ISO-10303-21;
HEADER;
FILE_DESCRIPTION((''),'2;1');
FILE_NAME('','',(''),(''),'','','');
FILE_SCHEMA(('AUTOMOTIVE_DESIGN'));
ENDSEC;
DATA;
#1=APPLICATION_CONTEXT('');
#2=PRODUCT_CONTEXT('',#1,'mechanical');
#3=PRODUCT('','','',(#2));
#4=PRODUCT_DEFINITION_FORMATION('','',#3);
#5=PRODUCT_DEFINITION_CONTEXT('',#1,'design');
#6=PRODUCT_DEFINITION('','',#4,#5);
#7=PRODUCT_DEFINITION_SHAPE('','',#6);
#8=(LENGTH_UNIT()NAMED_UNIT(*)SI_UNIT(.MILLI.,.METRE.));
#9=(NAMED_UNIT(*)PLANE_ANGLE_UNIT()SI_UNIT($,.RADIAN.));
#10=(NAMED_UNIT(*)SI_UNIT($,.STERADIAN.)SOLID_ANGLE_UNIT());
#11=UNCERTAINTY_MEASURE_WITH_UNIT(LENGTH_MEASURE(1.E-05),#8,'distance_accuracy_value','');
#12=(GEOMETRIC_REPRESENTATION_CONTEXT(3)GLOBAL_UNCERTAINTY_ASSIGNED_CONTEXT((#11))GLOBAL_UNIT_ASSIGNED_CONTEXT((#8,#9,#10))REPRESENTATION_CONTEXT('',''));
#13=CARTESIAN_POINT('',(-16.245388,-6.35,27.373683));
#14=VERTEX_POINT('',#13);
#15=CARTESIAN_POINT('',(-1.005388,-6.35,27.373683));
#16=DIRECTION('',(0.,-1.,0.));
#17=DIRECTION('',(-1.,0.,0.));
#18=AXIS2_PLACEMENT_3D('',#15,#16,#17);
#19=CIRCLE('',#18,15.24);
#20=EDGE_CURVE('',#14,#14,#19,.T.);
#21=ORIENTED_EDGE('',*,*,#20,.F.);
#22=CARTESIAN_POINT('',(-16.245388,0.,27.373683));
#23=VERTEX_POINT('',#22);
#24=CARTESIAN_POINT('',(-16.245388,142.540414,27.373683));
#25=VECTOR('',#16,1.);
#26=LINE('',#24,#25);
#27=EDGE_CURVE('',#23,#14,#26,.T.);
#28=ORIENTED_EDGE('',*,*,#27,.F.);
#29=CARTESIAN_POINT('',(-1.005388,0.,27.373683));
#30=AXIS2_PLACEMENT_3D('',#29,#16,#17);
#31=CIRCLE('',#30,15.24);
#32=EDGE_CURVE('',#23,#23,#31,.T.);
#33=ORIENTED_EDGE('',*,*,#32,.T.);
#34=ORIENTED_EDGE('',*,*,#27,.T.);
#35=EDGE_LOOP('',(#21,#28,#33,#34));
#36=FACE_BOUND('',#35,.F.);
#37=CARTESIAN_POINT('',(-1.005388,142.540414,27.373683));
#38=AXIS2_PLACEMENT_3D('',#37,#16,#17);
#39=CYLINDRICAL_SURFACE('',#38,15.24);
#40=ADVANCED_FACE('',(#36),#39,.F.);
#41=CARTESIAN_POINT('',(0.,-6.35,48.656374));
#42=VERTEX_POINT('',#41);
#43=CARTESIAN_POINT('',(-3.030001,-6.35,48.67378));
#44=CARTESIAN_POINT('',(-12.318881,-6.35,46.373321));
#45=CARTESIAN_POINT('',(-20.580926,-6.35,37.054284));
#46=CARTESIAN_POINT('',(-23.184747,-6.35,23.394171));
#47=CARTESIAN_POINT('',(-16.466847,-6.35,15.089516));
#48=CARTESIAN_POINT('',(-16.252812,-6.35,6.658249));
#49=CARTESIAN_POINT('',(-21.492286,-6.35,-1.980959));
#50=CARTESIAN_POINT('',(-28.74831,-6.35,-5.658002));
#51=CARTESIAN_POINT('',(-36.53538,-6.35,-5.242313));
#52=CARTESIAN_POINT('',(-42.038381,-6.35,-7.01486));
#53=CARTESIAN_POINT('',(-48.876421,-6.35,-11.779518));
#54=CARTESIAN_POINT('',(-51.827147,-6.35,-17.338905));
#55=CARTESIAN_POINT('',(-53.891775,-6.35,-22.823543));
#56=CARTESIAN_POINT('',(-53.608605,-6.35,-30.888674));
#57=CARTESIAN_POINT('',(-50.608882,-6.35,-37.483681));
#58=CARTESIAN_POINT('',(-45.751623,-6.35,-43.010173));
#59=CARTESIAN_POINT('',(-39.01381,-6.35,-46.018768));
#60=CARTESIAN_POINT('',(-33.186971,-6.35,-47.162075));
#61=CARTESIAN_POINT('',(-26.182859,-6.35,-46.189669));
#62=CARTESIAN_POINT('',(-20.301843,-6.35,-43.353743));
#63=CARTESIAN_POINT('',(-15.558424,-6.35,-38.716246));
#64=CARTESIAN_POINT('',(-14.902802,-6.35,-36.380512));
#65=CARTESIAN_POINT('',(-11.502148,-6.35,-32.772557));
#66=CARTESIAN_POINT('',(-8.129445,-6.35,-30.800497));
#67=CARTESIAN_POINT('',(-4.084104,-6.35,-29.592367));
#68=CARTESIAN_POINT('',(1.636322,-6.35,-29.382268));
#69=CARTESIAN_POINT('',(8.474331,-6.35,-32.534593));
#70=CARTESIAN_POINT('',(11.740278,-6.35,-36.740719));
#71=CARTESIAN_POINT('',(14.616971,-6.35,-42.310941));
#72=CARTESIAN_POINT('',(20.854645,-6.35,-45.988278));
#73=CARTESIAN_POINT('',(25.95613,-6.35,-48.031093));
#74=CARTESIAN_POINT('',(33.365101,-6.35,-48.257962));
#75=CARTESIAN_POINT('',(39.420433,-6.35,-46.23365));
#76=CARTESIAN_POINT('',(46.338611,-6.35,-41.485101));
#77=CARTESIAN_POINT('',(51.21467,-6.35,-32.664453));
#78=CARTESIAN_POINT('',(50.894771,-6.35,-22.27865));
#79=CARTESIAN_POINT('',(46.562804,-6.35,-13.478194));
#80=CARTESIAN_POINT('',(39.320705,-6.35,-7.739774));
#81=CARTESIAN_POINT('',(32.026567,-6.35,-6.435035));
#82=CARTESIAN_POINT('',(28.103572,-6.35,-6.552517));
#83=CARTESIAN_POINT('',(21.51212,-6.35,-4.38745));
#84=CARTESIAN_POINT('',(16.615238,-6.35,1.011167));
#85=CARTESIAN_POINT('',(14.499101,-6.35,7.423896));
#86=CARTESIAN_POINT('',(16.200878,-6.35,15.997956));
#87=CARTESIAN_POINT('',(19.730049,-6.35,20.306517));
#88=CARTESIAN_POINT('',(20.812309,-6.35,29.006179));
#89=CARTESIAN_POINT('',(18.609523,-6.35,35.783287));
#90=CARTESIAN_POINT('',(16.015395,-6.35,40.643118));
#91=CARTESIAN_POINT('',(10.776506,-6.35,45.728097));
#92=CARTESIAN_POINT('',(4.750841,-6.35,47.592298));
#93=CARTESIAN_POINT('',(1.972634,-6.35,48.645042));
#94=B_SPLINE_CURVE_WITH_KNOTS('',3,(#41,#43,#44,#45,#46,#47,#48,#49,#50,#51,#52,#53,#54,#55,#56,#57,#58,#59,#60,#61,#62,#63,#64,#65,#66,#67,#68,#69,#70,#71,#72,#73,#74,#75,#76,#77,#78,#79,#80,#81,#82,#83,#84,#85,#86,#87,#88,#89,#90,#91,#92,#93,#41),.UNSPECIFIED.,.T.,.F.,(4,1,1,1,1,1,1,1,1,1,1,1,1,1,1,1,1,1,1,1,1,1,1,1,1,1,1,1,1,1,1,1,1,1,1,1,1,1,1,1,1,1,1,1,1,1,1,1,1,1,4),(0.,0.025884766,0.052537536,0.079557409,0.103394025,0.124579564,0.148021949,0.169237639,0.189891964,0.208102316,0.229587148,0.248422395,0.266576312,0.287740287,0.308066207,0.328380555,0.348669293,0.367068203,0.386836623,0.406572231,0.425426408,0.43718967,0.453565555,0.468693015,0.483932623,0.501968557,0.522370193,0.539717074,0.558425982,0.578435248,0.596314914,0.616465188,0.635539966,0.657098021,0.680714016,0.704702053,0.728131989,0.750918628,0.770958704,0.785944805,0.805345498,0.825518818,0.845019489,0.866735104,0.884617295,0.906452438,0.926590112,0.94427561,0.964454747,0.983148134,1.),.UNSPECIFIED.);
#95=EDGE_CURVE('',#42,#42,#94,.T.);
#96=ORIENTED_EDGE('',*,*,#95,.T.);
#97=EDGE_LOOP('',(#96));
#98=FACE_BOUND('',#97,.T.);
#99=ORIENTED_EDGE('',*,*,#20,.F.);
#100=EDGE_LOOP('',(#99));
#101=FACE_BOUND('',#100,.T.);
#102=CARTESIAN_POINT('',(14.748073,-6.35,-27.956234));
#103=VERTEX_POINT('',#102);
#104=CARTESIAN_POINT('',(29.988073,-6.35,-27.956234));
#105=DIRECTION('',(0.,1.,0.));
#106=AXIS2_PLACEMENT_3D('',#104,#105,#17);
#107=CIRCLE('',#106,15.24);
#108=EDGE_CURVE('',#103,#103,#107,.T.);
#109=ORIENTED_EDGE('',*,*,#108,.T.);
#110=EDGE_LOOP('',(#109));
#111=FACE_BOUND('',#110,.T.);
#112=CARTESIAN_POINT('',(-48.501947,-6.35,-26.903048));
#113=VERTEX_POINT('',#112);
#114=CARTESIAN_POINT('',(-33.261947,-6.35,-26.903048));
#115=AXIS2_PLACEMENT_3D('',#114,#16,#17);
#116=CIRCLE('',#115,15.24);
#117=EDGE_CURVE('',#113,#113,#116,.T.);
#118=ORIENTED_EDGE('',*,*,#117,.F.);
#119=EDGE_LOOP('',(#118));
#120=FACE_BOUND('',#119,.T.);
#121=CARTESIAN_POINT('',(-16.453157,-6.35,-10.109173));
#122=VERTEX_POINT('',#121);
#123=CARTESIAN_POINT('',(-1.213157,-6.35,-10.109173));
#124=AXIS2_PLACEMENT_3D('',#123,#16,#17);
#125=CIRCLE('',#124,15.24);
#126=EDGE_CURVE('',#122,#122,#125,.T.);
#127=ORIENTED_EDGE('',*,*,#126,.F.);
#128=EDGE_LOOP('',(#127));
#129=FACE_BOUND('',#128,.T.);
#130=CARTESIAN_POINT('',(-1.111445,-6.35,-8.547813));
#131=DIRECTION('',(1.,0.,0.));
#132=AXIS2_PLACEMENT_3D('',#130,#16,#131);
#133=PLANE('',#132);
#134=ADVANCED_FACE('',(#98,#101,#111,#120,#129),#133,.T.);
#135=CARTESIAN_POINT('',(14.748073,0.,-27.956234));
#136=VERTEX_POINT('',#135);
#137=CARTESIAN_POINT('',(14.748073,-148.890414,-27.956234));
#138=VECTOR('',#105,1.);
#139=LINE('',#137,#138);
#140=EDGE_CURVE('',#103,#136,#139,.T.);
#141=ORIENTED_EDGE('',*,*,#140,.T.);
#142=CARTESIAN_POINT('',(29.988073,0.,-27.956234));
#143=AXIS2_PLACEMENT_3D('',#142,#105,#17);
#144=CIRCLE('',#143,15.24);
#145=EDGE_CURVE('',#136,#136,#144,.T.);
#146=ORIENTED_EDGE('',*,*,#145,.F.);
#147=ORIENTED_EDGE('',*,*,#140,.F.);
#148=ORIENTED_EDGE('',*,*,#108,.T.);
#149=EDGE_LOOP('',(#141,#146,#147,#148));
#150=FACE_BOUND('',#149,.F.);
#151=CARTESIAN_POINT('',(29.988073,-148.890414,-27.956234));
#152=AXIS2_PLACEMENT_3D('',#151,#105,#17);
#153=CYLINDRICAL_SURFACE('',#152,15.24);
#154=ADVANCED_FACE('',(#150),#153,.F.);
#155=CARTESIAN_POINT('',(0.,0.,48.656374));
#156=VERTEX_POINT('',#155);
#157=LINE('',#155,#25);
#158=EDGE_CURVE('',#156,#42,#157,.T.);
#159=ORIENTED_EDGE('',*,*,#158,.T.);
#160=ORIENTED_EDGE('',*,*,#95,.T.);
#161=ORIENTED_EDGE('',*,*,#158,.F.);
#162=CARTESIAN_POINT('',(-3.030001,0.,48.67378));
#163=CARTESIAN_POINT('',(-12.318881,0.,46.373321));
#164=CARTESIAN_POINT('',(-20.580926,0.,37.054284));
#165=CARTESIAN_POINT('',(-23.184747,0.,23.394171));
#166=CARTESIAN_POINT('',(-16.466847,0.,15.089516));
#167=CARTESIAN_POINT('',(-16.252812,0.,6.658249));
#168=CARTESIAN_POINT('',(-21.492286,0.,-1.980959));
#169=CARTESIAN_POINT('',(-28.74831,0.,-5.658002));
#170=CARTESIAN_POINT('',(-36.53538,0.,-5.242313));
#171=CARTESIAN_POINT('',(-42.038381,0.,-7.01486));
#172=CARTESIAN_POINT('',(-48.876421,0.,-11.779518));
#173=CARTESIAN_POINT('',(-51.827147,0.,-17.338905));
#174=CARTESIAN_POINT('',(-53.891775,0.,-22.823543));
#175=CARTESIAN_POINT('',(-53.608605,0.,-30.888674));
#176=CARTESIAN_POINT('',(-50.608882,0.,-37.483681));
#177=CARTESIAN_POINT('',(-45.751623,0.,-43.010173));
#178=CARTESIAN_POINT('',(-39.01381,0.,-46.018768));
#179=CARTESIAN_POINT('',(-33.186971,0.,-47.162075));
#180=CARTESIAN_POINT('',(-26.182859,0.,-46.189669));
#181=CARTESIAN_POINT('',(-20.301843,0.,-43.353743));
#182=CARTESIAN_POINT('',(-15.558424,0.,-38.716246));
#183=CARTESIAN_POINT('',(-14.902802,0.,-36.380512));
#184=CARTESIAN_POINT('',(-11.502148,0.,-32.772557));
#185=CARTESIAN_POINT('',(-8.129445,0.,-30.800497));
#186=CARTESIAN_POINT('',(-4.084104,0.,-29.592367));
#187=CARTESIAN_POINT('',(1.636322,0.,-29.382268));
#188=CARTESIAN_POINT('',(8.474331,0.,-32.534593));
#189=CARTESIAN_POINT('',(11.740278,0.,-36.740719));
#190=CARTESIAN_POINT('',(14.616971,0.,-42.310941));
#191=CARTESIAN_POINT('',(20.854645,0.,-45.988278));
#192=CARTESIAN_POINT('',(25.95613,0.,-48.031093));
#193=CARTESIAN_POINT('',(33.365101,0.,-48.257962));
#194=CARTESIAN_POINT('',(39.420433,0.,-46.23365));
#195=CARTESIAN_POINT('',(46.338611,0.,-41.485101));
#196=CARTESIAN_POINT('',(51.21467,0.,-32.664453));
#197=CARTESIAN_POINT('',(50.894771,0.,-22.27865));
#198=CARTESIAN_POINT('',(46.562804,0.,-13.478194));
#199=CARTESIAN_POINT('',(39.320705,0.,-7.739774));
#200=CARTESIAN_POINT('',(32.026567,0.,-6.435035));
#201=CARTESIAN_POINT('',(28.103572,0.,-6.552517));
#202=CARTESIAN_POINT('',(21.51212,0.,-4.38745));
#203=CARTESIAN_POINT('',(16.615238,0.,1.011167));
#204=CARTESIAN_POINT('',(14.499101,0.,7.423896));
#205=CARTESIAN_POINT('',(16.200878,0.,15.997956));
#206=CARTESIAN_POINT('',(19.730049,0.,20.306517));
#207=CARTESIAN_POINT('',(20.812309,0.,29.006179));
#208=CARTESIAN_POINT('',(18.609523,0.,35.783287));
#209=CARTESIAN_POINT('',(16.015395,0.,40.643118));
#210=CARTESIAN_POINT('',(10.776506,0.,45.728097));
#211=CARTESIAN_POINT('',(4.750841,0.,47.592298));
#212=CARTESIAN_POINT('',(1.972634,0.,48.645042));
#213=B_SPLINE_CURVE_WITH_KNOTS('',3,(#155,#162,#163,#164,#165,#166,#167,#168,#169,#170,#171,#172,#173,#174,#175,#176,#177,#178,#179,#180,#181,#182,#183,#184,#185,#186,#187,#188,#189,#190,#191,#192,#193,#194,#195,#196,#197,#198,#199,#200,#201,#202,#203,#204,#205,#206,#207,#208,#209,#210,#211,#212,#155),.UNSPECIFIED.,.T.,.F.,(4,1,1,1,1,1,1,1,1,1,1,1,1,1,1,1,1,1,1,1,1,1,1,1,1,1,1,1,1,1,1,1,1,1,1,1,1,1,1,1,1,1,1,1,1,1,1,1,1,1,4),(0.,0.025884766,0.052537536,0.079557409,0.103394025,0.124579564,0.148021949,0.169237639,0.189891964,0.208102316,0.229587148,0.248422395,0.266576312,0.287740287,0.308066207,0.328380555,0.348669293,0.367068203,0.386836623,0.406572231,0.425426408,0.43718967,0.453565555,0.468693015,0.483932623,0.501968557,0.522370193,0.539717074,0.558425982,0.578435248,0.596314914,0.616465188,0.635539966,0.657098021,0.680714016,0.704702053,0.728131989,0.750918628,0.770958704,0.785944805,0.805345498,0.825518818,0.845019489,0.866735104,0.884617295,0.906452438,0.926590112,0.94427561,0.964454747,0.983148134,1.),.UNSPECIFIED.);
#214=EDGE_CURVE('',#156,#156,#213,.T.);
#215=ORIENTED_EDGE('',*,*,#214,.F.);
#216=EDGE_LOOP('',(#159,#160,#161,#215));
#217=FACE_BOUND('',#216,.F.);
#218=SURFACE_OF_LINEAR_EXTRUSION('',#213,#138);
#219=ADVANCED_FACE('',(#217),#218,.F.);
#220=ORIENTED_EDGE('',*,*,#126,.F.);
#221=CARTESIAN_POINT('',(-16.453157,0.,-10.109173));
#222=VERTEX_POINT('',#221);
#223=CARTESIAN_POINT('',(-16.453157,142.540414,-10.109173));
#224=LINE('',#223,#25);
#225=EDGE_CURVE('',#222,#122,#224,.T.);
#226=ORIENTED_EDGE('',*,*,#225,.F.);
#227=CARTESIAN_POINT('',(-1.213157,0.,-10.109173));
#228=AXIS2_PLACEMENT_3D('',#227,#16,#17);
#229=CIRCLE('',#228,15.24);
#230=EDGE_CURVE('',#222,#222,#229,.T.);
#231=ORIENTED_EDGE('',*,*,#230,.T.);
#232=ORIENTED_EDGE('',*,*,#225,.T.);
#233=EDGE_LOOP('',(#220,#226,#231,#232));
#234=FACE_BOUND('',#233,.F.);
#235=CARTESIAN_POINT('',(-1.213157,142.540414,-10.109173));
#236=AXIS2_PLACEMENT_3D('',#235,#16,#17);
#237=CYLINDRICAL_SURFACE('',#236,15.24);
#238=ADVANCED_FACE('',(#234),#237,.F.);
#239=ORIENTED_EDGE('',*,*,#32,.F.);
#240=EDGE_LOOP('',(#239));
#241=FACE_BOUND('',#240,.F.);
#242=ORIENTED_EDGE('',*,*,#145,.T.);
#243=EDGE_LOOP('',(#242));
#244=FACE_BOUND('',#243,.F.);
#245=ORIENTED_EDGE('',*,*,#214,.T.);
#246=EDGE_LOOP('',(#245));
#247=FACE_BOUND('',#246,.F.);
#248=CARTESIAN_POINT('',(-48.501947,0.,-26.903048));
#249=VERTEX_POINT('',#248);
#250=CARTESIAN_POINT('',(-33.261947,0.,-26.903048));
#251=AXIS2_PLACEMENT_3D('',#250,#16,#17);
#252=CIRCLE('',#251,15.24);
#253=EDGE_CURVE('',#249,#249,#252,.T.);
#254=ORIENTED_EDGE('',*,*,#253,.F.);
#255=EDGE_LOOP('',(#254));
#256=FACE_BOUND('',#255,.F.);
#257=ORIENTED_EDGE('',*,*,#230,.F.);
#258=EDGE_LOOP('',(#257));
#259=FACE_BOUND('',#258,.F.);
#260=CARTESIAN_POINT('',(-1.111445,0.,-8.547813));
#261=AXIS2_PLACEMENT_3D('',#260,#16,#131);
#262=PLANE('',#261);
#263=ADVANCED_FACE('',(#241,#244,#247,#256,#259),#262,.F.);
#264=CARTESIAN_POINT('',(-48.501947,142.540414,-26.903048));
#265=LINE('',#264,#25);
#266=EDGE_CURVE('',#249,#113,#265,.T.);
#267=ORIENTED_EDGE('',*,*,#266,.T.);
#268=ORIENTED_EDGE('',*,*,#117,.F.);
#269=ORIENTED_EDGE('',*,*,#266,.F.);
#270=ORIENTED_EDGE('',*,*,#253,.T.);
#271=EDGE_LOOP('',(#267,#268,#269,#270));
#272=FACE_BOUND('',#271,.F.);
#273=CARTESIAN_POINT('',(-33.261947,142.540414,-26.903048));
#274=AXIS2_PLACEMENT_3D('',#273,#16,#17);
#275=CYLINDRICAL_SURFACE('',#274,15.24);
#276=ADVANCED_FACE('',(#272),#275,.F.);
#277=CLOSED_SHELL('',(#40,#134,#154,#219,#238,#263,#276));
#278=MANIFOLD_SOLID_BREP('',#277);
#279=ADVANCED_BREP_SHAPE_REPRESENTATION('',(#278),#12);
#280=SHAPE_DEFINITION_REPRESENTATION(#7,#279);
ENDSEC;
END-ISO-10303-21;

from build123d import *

# Parameters (mm, degrees)
F4_DEPTH = 6.35
F5_D     = 30.48
F7_D     = 30.48
F8_D     = 30.48
F9_D     = 30.48


with BuildPart() as f4:
    # F0 (on Front) → F4 (new body)
    with BuildSketch(Plane.XZ):
        with BuildLine():
            add(Edge.make_bspline(
                [(0, 48.6563742161), (-3.0300005443, 48.6737799362), (-12.3188805876, 46.3733212767), (-20.5809261291, 37.0542839882), (-23.1847472508, 23.3941707693), (-16.4668468609, 15.0895155778), (-16.252812468, 6.6582493126), (-21.4922861877, -1.9809594171), (-28.7483104502, -5.6580024036), (-36.5353798559, -5.2423131762), (-42.0383808362, -7.0148596827), (-48.8764206597, -11.7795177777), (-51.8271470571, -17.3389047082), (-53.8917750517, -22.8235431333), (-53.6086052548, -30.8886736223), (-50.6088819476, -37.4836811153), (-45.7516228526, -43.0101728784), (-39.0138099296, -46.0187676431), (-33.1869707307, -47.1620753843), (-26.1828594547, -46.1896689149), (-20.3018434137, -43.353743014), (-15.5584237727, -38.7162456121), (-14.9028018084, -36.3805118645), (-11.5021482619, -32.7725569562), (-8.1294452167, -30.8004972561), (-4.0841038094, -29.5923665485), (1.6363222463, -29.38226752), (8.4743310454, -32.5345925047), (11.74027827, -36.7407190621), (14.6169705987, -42.310940957), (20.8546448699, -45.9882775551), (25.9561298946, -48.0310930388), (33.3651014679, -48.2579620286), (39.4204325818, -46.2336499368), (46.3386112359, -41.4851009371), (51.214670224, -32.6644525939), (50.8947710836, -22.2786502231), (46.5628043874, -13.4781943747), (39.3207053464, -7.7397737392), (32.0265667398, -6.4350347731), (28.1035717218, -6.5525171709), (21.5121201015, -4.3874496206), (16.615238287, 1.0111667995), (14.4991009357, 7.4238961413), (16.2008782935, 15.9979556873), (19.7300487256, 20.3065166852), (20.8123091874, 29.0061790306), (18.609522508, 35.7832870186), (16.0153947108, 40.6431182971), (10.7765055769, 45.7280965724), (4.7508410441, 47.5922984272), (1.9726337942, 48.6450424981), (0, 48.6563742161)],
                knots=[0, 0, 0, 0, 0.025884766, 0.0525375358, 0.0795574094, 0.1033940249, 0.124579564, 0.1480219488, 0.1692376385, 0.1898919642, 0.2081023165, 0.2295871484, 0.2484223952, 0.2665763122, 0.2877402871, 0.3080662072, 0.3283805549, 0.3486692928, 0.367068203, 0.3868366233, 0.4065722311, 0.425426408, 0.4371896698, 0.4535655553, 0.4686930147, 0.4839326228, 0.5019685568, 0.5223701933, 0.5397170741, 0.5584259825, 0.5784352483, 0.5963149139, 0.6164651885, 0.6355399661, 0.6570980215, 0.680714016, 0.7047020534, 0.7281319887, 0.7509186278, 0.7709587037, 0.7859448054, 0.805345498, 0.8255188184, 0.8450194889, 0.8667351044, 0.8846172951, 0.9064524375, 0.9265901122, 0.9442756102, 0.9644547466, 0.9831481337, 1, 1, 1, 1], degree=3))
        make_face()
    extrude(amount=F4_DEPTH)

    # F5 (through all)
    with Locations(Plane(origin=(0, 0, 0), x_dir=(1, 0, 0), z_dir=(0, 1, 0))):
        with Locations((-33.2619473338, 26.9030481577)):
            Hole(F5_D / 2)

    # F7 (through all)
    with Locations(Plane(origin=(0, 0, 0), x_dir=(1, 0, 0), z_dir=(0, 1, 0))):
        with Locations((-1.0053882143, -27.3736827075)):
            Hole(F7_D / 2)

    # F8 (through all)
    with Locations(Plane.XZ.offset(6.35)):
        with Locations((29.9880728126, -27.9562342912)):
            Hole(F8_D / 2)

    # F9 (through all)
    with Locations(Plane(origin=(0, 0, 0), x_dir=(1, 0, 0), z_dir=(0, 1, 0))):
        with Locations((-1.2131567346, 10.109173134)):
            Hole(F9_D / 2)


solid = f4.part
